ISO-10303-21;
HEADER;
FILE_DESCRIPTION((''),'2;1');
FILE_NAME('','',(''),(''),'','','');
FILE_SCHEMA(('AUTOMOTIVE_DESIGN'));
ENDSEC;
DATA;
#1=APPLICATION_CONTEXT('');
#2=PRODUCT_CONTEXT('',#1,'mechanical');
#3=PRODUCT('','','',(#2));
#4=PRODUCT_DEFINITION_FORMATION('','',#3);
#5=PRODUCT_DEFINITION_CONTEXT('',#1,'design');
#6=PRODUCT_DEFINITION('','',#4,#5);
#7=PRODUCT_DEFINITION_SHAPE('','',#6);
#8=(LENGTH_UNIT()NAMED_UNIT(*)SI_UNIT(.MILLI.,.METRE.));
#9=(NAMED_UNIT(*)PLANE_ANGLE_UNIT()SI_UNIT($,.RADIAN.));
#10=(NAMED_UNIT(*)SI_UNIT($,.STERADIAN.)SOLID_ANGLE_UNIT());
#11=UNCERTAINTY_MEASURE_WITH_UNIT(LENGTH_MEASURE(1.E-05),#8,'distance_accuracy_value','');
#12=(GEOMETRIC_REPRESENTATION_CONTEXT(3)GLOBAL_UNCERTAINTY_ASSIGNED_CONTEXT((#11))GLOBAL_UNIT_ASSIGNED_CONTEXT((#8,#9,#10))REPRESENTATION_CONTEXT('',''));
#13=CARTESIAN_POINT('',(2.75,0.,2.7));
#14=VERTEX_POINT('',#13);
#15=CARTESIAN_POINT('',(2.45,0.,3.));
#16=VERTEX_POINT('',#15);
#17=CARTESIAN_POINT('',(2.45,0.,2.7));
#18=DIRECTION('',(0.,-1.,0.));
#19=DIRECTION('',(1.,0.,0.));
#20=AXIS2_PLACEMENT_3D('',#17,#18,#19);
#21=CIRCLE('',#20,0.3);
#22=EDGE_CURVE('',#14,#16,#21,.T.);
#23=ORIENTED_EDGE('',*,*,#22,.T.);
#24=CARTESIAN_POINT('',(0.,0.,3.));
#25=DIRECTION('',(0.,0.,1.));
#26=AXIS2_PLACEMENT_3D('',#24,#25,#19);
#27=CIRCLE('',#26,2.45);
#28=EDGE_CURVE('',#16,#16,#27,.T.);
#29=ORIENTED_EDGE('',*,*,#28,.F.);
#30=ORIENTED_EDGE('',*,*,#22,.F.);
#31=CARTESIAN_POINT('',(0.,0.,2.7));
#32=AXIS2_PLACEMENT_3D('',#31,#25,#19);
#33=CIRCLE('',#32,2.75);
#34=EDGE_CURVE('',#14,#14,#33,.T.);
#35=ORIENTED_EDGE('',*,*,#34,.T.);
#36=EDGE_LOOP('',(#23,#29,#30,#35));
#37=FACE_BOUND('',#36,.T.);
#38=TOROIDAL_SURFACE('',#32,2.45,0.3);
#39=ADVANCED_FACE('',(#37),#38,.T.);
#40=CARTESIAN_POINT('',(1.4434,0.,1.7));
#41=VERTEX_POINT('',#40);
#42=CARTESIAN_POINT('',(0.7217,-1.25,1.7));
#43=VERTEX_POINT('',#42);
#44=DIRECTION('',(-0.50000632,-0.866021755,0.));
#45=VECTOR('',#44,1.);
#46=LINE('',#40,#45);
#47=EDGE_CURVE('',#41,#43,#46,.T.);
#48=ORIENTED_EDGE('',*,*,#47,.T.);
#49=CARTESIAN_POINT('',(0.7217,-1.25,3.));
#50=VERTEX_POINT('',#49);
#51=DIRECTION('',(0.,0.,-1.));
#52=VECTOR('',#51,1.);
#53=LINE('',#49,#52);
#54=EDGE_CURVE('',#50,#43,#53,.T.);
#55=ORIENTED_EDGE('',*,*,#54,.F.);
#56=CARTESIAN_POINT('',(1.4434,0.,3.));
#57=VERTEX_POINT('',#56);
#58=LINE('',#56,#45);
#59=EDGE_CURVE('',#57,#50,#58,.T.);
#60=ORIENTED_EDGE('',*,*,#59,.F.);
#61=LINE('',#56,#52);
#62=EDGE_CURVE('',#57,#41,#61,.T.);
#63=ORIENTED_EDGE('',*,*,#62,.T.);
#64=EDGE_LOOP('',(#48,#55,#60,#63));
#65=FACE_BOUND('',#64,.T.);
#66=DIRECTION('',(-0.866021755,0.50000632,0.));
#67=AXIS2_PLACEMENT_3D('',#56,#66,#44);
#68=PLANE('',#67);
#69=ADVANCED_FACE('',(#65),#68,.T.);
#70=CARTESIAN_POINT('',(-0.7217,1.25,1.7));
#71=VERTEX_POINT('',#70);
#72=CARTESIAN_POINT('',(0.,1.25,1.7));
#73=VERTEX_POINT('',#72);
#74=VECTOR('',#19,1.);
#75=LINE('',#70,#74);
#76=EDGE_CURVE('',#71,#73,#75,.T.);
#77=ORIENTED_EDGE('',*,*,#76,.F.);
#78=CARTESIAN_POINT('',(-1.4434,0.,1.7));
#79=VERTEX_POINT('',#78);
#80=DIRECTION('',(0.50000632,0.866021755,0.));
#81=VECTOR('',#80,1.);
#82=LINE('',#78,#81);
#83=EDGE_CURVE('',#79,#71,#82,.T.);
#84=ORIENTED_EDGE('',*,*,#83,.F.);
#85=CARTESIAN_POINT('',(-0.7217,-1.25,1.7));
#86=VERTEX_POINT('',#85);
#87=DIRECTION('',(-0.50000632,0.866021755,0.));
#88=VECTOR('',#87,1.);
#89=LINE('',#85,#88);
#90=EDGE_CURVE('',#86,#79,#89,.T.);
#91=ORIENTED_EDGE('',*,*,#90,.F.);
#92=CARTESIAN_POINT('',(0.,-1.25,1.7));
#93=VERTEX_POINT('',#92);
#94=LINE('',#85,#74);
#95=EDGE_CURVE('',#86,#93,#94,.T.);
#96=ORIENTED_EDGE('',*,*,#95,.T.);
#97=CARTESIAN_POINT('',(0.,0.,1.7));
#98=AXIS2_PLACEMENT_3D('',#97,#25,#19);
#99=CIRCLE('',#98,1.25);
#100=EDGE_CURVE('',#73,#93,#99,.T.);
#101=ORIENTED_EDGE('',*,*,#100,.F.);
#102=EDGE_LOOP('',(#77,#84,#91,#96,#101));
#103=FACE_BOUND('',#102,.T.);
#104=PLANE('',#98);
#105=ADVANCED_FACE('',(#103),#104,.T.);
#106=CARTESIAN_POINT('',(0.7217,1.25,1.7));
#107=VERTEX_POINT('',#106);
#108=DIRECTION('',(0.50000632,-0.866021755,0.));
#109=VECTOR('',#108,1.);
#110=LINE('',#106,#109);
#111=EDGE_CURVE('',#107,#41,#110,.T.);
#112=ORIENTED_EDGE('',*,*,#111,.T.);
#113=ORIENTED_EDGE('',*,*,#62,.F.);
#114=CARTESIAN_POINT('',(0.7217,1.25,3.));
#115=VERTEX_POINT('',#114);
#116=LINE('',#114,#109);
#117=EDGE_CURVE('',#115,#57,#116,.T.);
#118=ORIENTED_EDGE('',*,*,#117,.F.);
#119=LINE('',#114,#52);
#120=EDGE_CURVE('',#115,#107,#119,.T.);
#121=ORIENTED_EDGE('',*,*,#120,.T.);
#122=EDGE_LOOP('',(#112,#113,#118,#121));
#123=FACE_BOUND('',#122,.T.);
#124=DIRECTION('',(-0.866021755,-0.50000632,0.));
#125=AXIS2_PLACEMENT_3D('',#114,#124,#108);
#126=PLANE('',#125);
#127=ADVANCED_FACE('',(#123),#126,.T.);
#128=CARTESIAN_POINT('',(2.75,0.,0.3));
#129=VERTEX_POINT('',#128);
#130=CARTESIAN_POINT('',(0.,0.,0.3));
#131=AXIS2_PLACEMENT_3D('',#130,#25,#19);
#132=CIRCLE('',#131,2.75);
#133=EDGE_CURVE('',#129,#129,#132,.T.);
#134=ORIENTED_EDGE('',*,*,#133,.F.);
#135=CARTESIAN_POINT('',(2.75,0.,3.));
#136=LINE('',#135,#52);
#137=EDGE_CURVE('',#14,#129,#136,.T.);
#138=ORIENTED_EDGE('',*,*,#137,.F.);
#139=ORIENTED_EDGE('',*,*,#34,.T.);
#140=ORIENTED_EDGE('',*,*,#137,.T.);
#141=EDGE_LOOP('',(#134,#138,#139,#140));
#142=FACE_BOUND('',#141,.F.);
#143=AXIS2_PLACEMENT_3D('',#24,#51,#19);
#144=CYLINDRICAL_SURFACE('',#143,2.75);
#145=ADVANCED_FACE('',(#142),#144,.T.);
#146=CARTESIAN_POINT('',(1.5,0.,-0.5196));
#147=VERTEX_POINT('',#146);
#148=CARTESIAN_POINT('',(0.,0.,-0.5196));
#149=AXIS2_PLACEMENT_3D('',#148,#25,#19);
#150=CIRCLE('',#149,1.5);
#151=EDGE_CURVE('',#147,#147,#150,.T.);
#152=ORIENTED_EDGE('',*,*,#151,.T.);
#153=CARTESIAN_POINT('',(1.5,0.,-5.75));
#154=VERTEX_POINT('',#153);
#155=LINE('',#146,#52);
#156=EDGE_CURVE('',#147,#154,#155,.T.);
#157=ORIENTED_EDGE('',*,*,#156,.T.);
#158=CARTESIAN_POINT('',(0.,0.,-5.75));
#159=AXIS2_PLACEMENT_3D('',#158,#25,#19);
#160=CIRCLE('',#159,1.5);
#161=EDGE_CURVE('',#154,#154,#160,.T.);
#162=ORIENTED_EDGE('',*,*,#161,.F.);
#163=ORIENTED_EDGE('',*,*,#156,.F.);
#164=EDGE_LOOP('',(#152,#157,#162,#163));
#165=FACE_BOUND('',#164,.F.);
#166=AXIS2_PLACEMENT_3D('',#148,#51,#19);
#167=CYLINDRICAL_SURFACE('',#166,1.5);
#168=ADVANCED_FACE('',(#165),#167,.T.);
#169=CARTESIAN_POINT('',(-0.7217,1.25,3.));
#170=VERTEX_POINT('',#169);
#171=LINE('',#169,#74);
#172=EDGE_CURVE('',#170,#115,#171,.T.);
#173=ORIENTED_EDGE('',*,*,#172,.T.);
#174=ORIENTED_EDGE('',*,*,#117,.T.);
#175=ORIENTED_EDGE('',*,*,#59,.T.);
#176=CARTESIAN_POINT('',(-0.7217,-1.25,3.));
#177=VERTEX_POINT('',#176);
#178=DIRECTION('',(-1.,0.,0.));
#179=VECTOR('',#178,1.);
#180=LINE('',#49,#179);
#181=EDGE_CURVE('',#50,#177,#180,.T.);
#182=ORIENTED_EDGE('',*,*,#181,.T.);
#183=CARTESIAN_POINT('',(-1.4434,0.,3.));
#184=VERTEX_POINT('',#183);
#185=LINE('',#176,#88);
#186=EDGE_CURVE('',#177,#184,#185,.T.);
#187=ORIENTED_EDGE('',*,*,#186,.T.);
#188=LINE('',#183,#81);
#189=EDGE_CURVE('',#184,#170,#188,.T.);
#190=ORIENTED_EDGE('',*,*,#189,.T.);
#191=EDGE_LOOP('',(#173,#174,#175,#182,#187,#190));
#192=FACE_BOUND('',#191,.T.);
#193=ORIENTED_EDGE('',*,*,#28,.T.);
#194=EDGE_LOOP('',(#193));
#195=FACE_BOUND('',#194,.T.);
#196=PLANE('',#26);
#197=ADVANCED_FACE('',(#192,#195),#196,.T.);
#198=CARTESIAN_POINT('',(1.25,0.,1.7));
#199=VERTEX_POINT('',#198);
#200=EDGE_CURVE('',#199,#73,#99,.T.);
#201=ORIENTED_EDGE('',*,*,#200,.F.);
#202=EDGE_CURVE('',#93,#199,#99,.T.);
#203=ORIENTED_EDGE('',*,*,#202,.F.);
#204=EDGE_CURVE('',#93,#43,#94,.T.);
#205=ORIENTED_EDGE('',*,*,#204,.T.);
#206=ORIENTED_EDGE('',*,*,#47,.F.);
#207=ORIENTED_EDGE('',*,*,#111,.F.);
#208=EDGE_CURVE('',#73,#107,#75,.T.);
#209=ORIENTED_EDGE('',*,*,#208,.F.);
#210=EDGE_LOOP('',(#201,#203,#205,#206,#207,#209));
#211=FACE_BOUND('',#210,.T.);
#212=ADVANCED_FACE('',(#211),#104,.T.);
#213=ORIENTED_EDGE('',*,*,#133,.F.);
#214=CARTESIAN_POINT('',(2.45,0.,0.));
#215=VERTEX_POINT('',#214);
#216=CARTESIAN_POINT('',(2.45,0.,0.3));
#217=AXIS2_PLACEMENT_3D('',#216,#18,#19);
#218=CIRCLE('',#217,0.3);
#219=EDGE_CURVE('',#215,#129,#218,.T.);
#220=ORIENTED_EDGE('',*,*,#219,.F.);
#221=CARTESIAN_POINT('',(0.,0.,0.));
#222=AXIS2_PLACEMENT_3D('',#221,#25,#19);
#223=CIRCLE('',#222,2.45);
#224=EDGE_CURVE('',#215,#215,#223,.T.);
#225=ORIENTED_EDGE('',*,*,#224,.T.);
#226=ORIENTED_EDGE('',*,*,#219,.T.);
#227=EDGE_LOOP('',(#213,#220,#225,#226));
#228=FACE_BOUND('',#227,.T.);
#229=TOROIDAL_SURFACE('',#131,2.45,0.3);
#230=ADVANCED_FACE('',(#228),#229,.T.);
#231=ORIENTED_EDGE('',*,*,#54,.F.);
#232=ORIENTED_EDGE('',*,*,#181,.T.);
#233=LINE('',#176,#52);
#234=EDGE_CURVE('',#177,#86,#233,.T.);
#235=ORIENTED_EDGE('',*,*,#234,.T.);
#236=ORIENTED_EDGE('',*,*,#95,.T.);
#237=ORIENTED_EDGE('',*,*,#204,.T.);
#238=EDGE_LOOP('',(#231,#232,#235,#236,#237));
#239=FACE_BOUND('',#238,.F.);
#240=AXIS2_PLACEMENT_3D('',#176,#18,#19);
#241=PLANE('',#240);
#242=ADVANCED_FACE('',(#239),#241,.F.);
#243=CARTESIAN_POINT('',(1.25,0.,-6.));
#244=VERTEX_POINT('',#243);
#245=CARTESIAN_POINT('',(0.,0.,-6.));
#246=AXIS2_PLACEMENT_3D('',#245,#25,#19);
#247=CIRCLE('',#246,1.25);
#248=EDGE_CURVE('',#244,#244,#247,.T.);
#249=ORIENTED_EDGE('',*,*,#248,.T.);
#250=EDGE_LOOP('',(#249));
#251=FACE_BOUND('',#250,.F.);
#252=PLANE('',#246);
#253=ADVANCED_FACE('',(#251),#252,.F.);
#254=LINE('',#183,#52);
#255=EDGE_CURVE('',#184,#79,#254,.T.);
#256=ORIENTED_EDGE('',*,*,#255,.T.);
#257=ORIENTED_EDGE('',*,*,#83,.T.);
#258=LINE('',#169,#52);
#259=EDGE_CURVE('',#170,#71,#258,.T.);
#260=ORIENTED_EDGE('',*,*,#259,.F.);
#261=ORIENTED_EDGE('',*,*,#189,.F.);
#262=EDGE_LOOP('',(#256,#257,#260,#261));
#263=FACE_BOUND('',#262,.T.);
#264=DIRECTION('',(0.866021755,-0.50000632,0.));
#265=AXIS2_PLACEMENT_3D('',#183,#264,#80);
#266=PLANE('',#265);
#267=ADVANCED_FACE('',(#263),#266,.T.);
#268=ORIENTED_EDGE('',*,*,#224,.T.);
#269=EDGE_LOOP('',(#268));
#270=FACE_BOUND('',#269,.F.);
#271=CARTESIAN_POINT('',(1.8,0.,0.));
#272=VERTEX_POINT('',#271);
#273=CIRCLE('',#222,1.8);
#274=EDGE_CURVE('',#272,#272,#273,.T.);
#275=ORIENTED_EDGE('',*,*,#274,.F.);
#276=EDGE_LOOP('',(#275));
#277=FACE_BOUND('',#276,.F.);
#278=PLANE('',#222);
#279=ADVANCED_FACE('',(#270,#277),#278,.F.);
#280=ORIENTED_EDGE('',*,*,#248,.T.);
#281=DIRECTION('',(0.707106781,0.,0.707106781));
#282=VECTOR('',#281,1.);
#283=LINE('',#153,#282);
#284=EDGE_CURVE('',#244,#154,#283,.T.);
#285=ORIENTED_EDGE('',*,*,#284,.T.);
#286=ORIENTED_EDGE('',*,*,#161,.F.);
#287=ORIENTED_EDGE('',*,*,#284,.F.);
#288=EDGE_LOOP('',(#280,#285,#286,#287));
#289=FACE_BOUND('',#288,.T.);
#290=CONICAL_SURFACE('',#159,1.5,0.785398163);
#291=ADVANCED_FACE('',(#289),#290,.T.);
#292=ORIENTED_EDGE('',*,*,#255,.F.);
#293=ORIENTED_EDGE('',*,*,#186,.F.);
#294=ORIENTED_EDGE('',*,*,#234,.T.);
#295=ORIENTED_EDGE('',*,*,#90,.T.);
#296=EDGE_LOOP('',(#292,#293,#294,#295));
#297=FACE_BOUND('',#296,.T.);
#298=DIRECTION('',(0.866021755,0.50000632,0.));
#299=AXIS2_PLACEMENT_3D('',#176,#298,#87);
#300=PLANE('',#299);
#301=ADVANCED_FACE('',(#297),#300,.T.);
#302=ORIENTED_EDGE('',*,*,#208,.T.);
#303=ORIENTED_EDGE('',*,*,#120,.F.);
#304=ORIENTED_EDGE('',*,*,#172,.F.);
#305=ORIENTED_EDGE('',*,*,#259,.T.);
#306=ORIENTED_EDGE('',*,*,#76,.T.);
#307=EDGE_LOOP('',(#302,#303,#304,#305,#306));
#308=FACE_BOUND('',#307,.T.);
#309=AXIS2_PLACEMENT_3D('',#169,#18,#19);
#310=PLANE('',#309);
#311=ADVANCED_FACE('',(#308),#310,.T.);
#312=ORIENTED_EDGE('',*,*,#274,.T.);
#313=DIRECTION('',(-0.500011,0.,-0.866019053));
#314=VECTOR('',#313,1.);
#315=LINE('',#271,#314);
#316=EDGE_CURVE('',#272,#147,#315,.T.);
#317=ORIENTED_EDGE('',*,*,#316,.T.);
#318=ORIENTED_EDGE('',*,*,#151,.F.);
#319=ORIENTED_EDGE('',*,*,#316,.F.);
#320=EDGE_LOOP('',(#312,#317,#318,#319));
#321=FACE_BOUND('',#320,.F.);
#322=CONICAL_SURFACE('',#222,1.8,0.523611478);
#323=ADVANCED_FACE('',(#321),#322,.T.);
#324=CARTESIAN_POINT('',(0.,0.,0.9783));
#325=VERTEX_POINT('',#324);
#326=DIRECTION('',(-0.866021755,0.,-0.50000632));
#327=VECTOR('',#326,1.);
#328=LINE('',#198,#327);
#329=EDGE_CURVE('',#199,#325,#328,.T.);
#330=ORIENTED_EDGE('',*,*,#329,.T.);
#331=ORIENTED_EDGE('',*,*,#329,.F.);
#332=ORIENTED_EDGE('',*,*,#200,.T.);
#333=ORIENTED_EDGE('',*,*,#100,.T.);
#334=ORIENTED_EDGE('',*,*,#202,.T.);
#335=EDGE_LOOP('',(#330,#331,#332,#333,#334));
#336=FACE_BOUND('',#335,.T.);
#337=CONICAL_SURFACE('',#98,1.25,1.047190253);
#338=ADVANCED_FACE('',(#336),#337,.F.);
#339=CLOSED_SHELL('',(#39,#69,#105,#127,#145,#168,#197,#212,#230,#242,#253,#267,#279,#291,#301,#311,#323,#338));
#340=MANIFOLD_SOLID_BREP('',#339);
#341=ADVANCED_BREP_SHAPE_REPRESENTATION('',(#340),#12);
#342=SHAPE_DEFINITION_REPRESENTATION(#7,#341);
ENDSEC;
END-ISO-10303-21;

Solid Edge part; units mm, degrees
sketch "Sketch1" plane through (0, 0, 0) normal (0, -1, 0) x (1, 0, 0)
  line L0 (2.75, 3) -> (2.75, 0)
  line L1 (2.75, 0) -> (1.8, 0)
  line L2 (1.8, 0) -> (1.5, -0.5196)
  line L3 (1.5, -0.5196) -> (1.5, -6)
  line L4 (1.5, -6) -> (0, -6)
  line L5 (1.25, 1.7) -> (0, 0.9783)
  line L6 (1.25, 3) -> (1.25, 1.7)
  line L7 (2.75, 3) -> (1.25, 3)
  dimension "D1" = 1.3
  dimension "D2" = 6
  dimension "D3" = 3
revolve "RevolvedProtrusion1" add sketch "Sketch1" angle 360 about axis through (0, 0, -6) along (0, 0, 1)
cosmetic_thread "Thread1" size "M3"
chamfer "Chamfer_1" distance 0.25 angle 45 1 edges at (-1.5, 0, -6)
fillet "Round_1" radius 0.3 2 edges at (-2.75, 0, 0) (-2.75, 0, 3)
sketch "Sketch2" plane through (0, 0, 3) normal (0, 0, 1) x (0, 1, 0)
  line L0 (-1.25, 0.7217) -> (-1.25, -0.7217)
  line L1 (0, -1.4434) -> (-1.25, -0.7217)
  line L2 (1.25, -0.7217) -> (0, -1.4434)
  line L3 (1.25, 0.7217) -> (1.25, -0.7217)
  line L4 (0, 1.4434) -> (1.25, 0.7217)
  line L5 (-1.25, 0.7217) -> (0, 1.4434)
extrude "Cutout1" cut sketch "Sketch2" against normal up to vertex (1.3 mm away)
properties material "Galvanized steel"
